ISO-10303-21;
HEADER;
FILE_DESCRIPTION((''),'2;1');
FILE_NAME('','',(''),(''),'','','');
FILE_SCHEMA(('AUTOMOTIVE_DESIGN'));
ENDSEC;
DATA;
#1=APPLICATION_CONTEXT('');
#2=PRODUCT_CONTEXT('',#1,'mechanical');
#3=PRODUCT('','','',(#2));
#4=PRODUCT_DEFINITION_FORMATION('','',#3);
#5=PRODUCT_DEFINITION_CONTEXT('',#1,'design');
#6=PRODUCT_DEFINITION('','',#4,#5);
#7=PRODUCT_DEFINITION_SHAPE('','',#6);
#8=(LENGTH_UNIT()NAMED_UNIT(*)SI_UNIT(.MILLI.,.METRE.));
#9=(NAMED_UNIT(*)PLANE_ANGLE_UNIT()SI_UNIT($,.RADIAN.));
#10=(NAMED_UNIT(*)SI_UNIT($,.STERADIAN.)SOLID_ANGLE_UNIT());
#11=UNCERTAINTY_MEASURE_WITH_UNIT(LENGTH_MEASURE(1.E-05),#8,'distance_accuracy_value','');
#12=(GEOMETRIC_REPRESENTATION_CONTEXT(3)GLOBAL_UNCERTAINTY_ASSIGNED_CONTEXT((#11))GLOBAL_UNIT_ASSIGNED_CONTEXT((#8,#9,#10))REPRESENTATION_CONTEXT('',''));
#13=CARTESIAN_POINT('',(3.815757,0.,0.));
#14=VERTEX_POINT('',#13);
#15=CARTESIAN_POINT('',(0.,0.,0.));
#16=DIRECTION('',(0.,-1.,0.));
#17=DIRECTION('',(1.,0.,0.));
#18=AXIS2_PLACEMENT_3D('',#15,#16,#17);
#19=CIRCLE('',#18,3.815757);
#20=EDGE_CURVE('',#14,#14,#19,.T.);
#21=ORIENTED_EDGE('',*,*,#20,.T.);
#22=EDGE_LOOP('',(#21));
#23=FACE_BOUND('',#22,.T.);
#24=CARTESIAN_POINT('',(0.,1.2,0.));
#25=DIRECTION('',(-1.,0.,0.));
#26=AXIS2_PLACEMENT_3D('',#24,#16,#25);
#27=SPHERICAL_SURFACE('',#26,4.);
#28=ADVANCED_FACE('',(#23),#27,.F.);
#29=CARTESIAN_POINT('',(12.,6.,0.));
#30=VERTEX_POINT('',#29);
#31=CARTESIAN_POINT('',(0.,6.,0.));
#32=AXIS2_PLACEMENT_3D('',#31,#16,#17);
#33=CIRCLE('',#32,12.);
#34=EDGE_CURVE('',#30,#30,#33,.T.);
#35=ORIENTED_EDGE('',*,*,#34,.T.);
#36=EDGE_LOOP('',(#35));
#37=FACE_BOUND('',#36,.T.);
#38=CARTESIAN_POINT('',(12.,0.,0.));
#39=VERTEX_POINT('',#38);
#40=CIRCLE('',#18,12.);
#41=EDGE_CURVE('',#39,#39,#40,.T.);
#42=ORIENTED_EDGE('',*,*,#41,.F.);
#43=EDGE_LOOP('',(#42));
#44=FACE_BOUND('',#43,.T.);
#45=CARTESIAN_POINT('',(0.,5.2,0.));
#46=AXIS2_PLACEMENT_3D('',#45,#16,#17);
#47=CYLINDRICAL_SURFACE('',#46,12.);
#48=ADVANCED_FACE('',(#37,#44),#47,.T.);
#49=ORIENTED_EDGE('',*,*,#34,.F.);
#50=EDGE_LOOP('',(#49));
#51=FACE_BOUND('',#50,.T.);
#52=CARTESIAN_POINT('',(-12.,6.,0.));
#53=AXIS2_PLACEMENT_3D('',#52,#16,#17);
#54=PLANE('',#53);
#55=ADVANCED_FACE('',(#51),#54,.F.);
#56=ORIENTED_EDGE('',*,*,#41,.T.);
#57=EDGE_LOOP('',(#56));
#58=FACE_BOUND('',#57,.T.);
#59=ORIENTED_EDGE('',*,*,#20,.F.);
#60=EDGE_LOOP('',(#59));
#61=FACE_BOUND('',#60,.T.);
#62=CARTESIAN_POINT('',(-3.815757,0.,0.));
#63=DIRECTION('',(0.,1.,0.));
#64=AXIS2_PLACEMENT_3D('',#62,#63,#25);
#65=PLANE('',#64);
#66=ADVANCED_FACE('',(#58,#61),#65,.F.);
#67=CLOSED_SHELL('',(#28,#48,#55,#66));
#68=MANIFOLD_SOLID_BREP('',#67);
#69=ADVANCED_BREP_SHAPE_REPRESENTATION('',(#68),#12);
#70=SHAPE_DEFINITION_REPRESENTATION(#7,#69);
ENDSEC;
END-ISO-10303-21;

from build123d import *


with BuildPart() as part:
    # Sketch1 → Revolve1 (revolve)
    with BuildSketch(Plane.XY):
        with BuildLine():
            Line((-3.815756806, 0), (-12, 0))
            Line((-12, 0), (-12, 6))
            Line((-12, 6), (0, 6))
            Line((0, 6), (0, 5.2))
            ThreePointArc((0, 5.2), (-3.224903099, 3.566431913), (-3.815756806, 0))
        make_face()
    revolve(axis=Axis((0, 5.2, 0), (0, 1, 0)))


solid = part.part
